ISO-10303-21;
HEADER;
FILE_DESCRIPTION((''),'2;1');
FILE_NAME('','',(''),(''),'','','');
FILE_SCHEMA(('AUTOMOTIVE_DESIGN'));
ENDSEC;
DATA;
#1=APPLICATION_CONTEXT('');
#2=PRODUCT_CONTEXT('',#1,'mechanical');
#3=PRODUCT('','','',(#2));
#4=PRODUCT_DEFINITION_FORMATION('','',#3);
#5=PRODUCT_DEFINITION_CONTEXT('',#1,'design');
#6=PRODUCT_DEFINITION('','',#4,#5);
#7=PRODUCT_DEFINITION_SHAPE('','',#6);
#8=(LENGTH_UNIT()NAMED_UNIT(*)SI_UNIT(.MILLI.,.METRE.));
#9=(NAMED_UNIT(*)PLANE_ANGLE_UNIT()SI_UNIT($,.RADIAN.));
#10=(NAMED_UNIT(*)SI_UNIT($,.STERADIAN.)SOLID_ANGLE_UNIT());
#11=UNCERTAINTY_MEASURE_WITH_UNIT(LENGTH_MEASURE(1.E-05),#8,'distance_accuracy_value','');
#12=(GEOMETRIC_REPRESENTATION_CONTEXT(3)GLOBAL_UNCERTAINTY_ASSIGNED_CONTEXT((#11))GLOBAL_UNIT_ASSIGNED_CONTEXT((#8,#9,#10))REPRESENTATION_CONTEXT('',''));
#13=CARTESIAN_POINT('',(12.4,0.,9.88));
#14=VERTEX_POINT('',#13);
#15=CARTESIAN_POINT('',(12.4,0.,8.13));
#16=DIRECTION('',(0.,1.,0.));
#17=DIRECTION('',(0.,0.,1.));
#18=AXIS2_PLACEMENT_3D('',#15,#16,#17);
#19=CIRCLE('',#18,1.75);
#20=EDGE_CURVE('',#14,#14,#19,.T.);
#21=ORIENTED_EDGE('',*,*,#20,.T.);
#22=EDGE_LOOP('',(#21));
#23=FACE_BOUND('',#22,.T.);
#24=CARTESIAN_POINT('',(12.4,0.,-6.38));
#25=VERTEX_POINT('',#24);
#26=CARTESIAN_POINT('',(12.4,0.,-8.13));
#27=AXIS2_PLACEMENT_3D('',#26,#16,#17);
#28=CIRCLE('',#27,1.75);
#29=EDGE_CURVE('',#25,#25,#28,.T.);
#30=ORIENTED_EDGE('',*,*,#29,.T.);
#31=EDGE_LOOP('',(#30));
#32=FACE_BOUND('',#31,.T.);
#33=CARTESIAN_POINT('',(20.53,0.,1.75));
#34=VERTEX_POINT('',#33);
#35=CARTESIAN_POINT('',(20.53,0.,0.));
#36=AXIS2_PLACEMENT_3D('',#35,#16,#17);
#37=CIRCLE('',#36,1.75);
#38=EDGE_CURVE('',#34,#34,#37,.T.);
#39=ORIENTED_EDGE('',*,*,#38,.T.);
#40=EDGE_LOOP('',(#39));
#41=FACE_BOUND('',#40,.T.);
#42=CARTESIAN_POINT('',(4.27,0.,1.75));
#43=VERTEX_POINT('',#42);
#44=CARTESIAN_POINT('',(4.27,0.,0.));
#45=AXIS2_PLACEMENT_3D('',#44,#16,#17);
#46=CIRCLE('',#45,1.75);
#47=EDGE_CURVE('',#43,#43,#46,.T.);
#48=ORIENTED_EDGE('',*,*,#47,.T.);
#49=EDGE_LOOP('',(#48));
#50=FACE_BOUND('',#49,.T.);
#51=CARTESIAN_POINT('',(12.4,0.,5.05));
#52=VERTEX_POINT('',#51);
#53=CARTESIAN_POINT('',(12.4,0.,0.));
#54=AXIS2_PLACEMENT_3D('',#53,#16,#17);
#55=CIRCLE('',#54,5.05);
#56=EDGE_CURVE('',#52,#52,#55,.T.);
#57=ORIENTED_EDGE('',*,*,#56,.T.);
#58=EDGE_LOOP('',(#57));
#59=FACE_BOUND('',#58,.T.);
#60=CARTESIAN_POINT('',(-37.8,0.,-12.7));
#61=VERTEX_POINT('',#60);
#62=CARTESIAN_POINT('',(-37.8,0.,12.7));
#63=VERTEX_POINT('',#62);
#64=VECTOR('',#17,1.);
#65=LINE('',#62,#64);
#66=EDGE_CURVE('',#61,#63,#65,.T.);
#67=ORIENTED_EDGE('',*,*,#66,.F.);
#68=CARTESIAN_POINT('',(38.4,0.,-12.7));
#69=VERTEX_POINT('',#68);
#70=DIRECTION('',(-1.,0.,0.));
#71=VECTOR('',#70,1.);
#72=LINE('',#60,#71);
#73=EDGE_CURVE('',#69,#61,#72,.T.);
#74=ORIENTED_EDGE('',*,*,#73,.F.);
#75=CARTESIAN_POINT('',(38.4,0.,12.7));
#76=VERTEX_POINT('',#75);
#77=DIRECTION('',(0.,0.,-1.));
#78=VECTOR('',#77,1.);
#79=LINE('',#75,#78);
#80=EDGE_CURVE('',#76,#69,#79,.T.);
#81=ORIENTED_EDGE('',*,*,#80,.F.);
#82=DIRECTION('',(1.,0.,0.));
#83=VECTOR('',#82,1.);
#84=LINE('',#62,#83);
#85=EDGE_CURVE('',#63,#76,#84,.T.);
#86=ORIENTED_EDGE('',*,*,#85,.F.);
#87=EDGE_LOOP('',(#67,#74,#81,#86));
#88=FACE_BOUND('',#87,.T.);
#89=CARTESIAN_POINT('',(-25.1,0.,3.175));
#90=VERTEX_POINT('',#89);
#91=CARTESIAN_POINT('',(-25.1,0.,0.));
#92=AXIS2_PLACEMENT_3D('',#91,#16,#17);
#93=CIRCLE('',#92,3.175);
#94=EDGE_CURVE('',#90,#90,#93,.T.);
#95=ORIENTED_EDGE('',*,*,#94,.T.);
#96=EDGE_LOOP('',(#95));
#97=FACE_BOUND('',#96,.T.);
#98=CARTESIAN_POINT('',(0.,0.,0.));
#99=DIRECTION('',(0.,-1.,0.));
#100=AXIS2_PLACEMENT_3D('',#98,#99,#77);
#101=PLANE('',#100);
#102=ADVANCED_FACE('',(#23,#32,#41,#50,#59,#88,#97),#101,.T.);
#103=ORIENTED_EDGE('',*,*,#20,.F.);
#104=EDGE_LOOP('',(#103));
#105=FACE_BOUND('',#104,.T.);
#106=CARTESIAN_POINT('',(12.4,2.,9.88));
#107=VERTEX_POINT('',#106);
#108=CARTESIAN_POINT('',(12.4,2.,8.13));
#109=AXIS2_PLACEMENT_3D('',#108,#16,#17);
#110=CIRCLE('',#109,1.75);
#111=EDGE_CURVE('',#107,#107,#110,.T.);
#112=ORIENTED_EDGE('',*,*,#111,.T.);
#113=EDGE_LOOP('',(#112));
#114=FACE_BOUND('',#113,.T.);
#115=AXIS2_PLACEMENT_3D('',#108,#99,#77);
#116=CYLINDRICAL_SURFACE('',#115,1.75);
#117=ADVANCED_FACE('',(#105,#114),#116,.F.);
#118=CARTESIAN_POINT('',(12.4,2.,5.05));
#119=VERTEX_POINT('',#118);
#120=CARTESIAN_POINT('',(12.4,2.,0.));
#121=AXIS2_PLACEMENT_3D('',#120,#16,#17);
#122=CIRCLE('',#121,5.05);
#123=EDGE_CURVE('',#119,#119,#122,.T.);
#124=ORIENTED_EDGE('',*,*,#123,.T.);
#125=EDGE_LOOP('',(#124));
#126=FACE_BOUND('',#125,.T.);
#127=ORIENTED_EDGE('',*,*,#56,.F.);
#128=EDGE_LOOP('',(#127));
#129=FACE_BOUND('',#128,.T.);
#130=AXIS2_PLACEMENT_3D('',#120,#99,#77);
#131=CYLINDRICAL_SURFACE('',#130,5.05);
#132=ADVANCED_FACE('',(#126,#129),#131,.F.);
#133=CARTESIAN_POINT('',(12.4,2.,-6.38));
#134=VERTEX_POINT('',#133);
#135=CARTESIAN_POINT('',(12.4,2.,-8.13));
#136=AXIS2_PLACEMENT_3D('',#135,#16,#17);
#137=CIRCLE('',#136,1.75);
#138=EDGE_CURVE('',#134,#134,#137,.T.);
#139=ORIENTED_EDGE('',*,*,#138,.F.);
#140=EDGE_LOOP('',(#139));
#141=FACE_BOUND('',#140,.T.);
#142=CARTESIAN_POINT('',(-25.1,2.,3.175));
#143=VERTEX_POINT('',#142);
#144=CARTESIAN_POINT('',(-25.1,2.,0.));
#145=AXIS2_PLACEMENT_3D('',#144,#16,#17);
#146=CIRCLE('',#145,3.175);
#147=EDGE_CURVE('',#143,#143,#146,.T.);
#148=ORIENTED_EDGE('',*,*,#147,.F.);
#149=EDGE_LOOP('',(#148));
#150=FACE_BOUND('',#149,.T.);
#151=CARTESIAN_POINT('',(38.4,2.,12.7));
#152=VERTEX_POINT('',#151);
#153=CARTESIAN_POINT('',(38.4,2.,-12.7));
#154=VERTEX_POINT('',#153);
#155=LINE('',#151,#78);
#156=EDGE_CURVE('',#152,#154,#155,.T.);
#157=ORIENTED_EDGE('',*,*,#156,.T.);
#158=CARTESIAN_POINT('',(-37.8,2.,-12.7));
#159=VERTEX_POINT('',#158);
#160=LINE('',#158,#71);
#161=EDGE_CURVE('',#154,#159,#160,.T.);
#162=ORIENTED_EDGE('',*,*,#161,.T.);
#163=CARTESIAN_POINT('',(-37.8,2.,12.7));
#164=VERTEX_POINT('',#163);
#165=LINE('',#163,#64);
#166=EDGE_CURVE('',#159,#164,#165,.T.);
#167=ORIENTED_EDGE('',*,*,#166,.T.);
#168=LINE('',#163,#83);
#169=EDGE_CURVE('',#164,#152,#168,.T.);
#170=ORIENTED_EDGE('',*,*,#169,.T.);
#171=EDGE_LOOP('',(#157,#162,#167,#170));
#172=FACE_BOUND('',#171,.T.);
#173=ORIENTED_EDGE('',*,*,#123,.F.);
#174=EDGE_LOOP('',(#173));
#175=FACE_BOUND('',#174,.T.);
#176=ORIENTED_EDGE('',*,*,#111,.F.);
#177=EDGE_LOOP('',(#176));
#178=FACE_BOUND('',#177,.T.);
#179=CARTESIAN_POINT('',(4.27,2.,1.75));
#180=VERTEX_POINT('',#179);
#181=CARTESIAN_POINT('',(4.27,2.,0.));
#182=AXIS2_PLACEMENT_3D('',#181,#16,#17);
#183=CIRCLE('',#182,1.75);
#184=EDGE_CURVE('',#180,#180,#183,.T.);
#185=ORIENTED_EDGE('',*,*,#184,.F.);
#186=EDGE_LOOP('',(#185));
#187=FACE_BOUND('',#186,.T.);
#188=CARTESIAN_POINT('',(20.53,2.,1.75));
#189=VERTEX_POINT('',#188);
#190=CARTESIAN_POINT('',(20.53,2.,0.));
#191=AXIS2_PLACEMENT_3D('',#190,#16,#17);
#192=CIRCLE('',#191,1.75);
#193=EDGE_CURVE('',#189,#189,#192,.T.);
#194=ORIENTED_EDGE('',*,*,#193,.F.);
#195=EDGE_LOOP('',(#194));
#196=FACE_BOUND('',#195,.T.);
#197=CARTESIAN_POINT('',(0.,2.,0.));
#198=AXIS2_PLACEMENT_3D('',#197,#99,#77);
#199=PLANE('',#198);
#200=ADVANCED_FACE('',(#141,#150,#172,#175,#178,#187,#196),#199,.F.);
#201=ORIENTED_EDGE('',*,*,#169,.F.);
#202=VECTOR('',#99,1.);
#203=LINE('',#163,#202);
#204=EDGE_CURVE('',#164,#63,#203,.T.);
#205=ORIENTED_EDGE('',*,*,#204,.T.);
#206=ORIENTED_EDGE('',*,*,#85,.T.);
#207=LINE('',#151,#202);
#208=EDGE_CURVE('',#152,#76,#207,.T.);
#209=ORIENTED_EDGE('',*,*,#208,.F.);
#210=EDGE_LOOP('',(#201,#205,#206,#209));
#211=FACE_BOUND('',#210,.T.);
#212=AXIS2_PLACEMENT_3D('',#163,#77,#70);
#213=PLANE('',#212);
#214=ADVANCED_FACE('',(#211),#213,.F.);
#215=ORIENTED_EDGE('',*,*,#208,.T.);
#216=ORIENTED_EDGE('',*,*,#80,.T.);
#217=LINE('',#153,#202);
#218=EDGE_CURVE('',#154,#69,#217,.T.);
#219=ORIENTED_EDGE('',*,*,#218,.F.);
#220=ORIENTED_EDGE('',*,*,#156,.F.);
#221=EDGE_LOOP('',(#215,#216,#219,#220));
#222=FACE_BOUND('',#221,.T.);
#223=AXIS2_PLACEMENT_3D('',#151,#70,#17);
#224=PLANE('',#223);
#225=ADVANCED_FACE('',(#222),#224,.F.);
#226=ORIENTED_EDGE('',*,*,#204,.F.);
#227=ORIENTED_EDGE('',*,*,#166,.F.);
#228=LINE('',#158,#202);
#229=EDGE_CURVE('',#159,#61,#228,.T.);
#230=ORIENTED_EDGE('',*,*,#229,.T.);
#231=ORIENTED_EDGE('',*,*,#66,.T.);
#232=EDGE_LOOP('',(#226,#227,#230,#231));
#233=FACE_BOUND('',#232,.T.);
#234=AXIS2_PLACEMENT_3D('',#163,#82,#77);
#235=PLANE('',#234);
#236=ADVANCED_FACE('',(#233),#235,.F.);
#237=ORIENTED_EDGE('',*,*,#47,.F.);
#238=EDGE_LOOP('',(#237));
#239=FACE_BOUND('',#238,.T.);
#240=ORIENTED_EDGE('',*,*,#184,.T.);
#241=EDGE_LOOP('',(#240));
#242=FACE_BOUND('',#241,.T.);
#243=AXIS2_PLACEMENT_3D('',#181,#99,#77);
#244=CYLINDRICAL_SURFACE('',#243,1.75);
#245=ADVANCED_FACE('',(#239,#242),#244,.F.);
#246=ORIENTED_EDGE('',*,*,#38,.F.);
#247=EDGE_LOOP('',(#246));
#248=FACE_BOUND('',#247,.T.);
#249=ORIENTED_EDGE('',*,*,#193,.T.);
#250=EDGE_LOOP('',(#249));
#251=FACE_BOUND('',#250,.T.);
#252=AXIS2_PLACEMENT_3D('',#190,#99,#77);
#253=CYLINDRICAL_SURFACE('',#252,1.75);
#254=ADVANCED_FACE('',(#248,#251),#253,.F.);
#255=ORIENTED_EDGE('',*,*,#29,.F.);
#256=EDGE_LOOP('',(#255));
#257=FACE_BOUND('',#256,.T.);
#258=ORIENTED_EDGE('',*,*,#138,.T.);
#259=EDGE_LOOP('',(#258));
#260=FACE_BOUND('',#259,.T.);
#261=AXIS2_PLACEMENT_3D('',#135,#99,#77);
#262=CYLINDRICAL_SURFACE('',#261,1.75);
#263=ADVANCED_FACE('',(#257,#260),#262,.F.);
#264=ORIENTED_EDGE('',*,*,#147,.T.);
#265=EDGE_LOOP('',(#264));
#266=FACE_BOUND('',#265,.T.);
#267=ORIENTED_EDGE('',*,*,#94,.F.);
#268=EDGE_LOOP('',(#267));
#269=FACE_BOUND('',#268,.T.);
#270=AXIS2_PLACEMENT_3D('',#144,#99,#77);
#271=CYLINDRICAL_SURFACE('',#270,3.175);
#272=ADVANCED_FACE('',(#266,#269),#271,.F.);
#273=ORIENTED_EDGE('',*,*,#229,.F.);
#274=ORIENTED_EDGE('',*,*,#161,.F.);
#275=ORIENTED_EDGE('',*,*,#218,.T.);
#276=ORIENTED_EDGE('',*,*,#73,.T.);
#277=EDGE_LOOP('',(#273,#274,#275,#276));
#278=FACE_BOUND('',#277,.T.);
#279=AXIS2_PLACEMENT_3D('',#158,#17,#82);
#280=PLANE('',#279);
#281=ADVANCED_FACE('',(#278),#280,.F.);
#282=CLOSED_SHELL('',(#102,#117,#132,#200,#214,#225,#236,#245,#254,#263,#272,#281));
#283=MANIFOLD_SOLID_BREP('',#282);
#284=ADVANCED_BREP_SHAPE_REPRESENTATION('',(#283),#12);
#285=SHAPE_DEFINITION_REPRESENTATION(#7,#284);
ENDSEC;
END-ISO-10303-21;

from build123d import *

# Parameters (mm, degrees)
SKETCH1_W           = 76.2
SKETCH1_H           = 25.4
SKETCH1_R           = 5.05
SKETCH1_R_2         = 1.75
SKETCH1_R_3         = 3.175
BOSS_EXTRUDE1_DEPTH = 2


with BuildPart() as part:
    # Sketch1 → Boss-Extrude1 (new body)
    with BuildSketch(Plane(origin=(0, 0, 0), x_dir=(1, 0, 0), z_dir=(0, 1, 0))):
        with Locations((0.3, 0)):
            Rectangle(SKETCH1_W, SKETCH1_H)
        with Locations((12.4, 0)):
            Circle(SKETCH1_R, mode=Mode.SUBTRACT)
        with Locations((12.4, 8.13)):
            Circle(SKETCH1_R_2, mode=Mode.SUBTRACT)
        with Locations((20.53, 0)):
            Circle(SKETCH1_R_2, mode=Mode.SUBTRACT)
        with Locations((12.4, -8.13)):
            Circle(SKETCH1_R_2, mode=Mode.SUBTRACT)
        with Locations((4.27, 0)):
            Circle(SKETCH1_R_2, mode=Mode.SUBTRACT)
        with Locations((-25.1, 0)):
            Circle(SKETCH1_R_3, mode=Mode.SUBTRACT)
    extrude(amount=BOSS_EXTRUDE1_DEPTH)


solid = part.part
